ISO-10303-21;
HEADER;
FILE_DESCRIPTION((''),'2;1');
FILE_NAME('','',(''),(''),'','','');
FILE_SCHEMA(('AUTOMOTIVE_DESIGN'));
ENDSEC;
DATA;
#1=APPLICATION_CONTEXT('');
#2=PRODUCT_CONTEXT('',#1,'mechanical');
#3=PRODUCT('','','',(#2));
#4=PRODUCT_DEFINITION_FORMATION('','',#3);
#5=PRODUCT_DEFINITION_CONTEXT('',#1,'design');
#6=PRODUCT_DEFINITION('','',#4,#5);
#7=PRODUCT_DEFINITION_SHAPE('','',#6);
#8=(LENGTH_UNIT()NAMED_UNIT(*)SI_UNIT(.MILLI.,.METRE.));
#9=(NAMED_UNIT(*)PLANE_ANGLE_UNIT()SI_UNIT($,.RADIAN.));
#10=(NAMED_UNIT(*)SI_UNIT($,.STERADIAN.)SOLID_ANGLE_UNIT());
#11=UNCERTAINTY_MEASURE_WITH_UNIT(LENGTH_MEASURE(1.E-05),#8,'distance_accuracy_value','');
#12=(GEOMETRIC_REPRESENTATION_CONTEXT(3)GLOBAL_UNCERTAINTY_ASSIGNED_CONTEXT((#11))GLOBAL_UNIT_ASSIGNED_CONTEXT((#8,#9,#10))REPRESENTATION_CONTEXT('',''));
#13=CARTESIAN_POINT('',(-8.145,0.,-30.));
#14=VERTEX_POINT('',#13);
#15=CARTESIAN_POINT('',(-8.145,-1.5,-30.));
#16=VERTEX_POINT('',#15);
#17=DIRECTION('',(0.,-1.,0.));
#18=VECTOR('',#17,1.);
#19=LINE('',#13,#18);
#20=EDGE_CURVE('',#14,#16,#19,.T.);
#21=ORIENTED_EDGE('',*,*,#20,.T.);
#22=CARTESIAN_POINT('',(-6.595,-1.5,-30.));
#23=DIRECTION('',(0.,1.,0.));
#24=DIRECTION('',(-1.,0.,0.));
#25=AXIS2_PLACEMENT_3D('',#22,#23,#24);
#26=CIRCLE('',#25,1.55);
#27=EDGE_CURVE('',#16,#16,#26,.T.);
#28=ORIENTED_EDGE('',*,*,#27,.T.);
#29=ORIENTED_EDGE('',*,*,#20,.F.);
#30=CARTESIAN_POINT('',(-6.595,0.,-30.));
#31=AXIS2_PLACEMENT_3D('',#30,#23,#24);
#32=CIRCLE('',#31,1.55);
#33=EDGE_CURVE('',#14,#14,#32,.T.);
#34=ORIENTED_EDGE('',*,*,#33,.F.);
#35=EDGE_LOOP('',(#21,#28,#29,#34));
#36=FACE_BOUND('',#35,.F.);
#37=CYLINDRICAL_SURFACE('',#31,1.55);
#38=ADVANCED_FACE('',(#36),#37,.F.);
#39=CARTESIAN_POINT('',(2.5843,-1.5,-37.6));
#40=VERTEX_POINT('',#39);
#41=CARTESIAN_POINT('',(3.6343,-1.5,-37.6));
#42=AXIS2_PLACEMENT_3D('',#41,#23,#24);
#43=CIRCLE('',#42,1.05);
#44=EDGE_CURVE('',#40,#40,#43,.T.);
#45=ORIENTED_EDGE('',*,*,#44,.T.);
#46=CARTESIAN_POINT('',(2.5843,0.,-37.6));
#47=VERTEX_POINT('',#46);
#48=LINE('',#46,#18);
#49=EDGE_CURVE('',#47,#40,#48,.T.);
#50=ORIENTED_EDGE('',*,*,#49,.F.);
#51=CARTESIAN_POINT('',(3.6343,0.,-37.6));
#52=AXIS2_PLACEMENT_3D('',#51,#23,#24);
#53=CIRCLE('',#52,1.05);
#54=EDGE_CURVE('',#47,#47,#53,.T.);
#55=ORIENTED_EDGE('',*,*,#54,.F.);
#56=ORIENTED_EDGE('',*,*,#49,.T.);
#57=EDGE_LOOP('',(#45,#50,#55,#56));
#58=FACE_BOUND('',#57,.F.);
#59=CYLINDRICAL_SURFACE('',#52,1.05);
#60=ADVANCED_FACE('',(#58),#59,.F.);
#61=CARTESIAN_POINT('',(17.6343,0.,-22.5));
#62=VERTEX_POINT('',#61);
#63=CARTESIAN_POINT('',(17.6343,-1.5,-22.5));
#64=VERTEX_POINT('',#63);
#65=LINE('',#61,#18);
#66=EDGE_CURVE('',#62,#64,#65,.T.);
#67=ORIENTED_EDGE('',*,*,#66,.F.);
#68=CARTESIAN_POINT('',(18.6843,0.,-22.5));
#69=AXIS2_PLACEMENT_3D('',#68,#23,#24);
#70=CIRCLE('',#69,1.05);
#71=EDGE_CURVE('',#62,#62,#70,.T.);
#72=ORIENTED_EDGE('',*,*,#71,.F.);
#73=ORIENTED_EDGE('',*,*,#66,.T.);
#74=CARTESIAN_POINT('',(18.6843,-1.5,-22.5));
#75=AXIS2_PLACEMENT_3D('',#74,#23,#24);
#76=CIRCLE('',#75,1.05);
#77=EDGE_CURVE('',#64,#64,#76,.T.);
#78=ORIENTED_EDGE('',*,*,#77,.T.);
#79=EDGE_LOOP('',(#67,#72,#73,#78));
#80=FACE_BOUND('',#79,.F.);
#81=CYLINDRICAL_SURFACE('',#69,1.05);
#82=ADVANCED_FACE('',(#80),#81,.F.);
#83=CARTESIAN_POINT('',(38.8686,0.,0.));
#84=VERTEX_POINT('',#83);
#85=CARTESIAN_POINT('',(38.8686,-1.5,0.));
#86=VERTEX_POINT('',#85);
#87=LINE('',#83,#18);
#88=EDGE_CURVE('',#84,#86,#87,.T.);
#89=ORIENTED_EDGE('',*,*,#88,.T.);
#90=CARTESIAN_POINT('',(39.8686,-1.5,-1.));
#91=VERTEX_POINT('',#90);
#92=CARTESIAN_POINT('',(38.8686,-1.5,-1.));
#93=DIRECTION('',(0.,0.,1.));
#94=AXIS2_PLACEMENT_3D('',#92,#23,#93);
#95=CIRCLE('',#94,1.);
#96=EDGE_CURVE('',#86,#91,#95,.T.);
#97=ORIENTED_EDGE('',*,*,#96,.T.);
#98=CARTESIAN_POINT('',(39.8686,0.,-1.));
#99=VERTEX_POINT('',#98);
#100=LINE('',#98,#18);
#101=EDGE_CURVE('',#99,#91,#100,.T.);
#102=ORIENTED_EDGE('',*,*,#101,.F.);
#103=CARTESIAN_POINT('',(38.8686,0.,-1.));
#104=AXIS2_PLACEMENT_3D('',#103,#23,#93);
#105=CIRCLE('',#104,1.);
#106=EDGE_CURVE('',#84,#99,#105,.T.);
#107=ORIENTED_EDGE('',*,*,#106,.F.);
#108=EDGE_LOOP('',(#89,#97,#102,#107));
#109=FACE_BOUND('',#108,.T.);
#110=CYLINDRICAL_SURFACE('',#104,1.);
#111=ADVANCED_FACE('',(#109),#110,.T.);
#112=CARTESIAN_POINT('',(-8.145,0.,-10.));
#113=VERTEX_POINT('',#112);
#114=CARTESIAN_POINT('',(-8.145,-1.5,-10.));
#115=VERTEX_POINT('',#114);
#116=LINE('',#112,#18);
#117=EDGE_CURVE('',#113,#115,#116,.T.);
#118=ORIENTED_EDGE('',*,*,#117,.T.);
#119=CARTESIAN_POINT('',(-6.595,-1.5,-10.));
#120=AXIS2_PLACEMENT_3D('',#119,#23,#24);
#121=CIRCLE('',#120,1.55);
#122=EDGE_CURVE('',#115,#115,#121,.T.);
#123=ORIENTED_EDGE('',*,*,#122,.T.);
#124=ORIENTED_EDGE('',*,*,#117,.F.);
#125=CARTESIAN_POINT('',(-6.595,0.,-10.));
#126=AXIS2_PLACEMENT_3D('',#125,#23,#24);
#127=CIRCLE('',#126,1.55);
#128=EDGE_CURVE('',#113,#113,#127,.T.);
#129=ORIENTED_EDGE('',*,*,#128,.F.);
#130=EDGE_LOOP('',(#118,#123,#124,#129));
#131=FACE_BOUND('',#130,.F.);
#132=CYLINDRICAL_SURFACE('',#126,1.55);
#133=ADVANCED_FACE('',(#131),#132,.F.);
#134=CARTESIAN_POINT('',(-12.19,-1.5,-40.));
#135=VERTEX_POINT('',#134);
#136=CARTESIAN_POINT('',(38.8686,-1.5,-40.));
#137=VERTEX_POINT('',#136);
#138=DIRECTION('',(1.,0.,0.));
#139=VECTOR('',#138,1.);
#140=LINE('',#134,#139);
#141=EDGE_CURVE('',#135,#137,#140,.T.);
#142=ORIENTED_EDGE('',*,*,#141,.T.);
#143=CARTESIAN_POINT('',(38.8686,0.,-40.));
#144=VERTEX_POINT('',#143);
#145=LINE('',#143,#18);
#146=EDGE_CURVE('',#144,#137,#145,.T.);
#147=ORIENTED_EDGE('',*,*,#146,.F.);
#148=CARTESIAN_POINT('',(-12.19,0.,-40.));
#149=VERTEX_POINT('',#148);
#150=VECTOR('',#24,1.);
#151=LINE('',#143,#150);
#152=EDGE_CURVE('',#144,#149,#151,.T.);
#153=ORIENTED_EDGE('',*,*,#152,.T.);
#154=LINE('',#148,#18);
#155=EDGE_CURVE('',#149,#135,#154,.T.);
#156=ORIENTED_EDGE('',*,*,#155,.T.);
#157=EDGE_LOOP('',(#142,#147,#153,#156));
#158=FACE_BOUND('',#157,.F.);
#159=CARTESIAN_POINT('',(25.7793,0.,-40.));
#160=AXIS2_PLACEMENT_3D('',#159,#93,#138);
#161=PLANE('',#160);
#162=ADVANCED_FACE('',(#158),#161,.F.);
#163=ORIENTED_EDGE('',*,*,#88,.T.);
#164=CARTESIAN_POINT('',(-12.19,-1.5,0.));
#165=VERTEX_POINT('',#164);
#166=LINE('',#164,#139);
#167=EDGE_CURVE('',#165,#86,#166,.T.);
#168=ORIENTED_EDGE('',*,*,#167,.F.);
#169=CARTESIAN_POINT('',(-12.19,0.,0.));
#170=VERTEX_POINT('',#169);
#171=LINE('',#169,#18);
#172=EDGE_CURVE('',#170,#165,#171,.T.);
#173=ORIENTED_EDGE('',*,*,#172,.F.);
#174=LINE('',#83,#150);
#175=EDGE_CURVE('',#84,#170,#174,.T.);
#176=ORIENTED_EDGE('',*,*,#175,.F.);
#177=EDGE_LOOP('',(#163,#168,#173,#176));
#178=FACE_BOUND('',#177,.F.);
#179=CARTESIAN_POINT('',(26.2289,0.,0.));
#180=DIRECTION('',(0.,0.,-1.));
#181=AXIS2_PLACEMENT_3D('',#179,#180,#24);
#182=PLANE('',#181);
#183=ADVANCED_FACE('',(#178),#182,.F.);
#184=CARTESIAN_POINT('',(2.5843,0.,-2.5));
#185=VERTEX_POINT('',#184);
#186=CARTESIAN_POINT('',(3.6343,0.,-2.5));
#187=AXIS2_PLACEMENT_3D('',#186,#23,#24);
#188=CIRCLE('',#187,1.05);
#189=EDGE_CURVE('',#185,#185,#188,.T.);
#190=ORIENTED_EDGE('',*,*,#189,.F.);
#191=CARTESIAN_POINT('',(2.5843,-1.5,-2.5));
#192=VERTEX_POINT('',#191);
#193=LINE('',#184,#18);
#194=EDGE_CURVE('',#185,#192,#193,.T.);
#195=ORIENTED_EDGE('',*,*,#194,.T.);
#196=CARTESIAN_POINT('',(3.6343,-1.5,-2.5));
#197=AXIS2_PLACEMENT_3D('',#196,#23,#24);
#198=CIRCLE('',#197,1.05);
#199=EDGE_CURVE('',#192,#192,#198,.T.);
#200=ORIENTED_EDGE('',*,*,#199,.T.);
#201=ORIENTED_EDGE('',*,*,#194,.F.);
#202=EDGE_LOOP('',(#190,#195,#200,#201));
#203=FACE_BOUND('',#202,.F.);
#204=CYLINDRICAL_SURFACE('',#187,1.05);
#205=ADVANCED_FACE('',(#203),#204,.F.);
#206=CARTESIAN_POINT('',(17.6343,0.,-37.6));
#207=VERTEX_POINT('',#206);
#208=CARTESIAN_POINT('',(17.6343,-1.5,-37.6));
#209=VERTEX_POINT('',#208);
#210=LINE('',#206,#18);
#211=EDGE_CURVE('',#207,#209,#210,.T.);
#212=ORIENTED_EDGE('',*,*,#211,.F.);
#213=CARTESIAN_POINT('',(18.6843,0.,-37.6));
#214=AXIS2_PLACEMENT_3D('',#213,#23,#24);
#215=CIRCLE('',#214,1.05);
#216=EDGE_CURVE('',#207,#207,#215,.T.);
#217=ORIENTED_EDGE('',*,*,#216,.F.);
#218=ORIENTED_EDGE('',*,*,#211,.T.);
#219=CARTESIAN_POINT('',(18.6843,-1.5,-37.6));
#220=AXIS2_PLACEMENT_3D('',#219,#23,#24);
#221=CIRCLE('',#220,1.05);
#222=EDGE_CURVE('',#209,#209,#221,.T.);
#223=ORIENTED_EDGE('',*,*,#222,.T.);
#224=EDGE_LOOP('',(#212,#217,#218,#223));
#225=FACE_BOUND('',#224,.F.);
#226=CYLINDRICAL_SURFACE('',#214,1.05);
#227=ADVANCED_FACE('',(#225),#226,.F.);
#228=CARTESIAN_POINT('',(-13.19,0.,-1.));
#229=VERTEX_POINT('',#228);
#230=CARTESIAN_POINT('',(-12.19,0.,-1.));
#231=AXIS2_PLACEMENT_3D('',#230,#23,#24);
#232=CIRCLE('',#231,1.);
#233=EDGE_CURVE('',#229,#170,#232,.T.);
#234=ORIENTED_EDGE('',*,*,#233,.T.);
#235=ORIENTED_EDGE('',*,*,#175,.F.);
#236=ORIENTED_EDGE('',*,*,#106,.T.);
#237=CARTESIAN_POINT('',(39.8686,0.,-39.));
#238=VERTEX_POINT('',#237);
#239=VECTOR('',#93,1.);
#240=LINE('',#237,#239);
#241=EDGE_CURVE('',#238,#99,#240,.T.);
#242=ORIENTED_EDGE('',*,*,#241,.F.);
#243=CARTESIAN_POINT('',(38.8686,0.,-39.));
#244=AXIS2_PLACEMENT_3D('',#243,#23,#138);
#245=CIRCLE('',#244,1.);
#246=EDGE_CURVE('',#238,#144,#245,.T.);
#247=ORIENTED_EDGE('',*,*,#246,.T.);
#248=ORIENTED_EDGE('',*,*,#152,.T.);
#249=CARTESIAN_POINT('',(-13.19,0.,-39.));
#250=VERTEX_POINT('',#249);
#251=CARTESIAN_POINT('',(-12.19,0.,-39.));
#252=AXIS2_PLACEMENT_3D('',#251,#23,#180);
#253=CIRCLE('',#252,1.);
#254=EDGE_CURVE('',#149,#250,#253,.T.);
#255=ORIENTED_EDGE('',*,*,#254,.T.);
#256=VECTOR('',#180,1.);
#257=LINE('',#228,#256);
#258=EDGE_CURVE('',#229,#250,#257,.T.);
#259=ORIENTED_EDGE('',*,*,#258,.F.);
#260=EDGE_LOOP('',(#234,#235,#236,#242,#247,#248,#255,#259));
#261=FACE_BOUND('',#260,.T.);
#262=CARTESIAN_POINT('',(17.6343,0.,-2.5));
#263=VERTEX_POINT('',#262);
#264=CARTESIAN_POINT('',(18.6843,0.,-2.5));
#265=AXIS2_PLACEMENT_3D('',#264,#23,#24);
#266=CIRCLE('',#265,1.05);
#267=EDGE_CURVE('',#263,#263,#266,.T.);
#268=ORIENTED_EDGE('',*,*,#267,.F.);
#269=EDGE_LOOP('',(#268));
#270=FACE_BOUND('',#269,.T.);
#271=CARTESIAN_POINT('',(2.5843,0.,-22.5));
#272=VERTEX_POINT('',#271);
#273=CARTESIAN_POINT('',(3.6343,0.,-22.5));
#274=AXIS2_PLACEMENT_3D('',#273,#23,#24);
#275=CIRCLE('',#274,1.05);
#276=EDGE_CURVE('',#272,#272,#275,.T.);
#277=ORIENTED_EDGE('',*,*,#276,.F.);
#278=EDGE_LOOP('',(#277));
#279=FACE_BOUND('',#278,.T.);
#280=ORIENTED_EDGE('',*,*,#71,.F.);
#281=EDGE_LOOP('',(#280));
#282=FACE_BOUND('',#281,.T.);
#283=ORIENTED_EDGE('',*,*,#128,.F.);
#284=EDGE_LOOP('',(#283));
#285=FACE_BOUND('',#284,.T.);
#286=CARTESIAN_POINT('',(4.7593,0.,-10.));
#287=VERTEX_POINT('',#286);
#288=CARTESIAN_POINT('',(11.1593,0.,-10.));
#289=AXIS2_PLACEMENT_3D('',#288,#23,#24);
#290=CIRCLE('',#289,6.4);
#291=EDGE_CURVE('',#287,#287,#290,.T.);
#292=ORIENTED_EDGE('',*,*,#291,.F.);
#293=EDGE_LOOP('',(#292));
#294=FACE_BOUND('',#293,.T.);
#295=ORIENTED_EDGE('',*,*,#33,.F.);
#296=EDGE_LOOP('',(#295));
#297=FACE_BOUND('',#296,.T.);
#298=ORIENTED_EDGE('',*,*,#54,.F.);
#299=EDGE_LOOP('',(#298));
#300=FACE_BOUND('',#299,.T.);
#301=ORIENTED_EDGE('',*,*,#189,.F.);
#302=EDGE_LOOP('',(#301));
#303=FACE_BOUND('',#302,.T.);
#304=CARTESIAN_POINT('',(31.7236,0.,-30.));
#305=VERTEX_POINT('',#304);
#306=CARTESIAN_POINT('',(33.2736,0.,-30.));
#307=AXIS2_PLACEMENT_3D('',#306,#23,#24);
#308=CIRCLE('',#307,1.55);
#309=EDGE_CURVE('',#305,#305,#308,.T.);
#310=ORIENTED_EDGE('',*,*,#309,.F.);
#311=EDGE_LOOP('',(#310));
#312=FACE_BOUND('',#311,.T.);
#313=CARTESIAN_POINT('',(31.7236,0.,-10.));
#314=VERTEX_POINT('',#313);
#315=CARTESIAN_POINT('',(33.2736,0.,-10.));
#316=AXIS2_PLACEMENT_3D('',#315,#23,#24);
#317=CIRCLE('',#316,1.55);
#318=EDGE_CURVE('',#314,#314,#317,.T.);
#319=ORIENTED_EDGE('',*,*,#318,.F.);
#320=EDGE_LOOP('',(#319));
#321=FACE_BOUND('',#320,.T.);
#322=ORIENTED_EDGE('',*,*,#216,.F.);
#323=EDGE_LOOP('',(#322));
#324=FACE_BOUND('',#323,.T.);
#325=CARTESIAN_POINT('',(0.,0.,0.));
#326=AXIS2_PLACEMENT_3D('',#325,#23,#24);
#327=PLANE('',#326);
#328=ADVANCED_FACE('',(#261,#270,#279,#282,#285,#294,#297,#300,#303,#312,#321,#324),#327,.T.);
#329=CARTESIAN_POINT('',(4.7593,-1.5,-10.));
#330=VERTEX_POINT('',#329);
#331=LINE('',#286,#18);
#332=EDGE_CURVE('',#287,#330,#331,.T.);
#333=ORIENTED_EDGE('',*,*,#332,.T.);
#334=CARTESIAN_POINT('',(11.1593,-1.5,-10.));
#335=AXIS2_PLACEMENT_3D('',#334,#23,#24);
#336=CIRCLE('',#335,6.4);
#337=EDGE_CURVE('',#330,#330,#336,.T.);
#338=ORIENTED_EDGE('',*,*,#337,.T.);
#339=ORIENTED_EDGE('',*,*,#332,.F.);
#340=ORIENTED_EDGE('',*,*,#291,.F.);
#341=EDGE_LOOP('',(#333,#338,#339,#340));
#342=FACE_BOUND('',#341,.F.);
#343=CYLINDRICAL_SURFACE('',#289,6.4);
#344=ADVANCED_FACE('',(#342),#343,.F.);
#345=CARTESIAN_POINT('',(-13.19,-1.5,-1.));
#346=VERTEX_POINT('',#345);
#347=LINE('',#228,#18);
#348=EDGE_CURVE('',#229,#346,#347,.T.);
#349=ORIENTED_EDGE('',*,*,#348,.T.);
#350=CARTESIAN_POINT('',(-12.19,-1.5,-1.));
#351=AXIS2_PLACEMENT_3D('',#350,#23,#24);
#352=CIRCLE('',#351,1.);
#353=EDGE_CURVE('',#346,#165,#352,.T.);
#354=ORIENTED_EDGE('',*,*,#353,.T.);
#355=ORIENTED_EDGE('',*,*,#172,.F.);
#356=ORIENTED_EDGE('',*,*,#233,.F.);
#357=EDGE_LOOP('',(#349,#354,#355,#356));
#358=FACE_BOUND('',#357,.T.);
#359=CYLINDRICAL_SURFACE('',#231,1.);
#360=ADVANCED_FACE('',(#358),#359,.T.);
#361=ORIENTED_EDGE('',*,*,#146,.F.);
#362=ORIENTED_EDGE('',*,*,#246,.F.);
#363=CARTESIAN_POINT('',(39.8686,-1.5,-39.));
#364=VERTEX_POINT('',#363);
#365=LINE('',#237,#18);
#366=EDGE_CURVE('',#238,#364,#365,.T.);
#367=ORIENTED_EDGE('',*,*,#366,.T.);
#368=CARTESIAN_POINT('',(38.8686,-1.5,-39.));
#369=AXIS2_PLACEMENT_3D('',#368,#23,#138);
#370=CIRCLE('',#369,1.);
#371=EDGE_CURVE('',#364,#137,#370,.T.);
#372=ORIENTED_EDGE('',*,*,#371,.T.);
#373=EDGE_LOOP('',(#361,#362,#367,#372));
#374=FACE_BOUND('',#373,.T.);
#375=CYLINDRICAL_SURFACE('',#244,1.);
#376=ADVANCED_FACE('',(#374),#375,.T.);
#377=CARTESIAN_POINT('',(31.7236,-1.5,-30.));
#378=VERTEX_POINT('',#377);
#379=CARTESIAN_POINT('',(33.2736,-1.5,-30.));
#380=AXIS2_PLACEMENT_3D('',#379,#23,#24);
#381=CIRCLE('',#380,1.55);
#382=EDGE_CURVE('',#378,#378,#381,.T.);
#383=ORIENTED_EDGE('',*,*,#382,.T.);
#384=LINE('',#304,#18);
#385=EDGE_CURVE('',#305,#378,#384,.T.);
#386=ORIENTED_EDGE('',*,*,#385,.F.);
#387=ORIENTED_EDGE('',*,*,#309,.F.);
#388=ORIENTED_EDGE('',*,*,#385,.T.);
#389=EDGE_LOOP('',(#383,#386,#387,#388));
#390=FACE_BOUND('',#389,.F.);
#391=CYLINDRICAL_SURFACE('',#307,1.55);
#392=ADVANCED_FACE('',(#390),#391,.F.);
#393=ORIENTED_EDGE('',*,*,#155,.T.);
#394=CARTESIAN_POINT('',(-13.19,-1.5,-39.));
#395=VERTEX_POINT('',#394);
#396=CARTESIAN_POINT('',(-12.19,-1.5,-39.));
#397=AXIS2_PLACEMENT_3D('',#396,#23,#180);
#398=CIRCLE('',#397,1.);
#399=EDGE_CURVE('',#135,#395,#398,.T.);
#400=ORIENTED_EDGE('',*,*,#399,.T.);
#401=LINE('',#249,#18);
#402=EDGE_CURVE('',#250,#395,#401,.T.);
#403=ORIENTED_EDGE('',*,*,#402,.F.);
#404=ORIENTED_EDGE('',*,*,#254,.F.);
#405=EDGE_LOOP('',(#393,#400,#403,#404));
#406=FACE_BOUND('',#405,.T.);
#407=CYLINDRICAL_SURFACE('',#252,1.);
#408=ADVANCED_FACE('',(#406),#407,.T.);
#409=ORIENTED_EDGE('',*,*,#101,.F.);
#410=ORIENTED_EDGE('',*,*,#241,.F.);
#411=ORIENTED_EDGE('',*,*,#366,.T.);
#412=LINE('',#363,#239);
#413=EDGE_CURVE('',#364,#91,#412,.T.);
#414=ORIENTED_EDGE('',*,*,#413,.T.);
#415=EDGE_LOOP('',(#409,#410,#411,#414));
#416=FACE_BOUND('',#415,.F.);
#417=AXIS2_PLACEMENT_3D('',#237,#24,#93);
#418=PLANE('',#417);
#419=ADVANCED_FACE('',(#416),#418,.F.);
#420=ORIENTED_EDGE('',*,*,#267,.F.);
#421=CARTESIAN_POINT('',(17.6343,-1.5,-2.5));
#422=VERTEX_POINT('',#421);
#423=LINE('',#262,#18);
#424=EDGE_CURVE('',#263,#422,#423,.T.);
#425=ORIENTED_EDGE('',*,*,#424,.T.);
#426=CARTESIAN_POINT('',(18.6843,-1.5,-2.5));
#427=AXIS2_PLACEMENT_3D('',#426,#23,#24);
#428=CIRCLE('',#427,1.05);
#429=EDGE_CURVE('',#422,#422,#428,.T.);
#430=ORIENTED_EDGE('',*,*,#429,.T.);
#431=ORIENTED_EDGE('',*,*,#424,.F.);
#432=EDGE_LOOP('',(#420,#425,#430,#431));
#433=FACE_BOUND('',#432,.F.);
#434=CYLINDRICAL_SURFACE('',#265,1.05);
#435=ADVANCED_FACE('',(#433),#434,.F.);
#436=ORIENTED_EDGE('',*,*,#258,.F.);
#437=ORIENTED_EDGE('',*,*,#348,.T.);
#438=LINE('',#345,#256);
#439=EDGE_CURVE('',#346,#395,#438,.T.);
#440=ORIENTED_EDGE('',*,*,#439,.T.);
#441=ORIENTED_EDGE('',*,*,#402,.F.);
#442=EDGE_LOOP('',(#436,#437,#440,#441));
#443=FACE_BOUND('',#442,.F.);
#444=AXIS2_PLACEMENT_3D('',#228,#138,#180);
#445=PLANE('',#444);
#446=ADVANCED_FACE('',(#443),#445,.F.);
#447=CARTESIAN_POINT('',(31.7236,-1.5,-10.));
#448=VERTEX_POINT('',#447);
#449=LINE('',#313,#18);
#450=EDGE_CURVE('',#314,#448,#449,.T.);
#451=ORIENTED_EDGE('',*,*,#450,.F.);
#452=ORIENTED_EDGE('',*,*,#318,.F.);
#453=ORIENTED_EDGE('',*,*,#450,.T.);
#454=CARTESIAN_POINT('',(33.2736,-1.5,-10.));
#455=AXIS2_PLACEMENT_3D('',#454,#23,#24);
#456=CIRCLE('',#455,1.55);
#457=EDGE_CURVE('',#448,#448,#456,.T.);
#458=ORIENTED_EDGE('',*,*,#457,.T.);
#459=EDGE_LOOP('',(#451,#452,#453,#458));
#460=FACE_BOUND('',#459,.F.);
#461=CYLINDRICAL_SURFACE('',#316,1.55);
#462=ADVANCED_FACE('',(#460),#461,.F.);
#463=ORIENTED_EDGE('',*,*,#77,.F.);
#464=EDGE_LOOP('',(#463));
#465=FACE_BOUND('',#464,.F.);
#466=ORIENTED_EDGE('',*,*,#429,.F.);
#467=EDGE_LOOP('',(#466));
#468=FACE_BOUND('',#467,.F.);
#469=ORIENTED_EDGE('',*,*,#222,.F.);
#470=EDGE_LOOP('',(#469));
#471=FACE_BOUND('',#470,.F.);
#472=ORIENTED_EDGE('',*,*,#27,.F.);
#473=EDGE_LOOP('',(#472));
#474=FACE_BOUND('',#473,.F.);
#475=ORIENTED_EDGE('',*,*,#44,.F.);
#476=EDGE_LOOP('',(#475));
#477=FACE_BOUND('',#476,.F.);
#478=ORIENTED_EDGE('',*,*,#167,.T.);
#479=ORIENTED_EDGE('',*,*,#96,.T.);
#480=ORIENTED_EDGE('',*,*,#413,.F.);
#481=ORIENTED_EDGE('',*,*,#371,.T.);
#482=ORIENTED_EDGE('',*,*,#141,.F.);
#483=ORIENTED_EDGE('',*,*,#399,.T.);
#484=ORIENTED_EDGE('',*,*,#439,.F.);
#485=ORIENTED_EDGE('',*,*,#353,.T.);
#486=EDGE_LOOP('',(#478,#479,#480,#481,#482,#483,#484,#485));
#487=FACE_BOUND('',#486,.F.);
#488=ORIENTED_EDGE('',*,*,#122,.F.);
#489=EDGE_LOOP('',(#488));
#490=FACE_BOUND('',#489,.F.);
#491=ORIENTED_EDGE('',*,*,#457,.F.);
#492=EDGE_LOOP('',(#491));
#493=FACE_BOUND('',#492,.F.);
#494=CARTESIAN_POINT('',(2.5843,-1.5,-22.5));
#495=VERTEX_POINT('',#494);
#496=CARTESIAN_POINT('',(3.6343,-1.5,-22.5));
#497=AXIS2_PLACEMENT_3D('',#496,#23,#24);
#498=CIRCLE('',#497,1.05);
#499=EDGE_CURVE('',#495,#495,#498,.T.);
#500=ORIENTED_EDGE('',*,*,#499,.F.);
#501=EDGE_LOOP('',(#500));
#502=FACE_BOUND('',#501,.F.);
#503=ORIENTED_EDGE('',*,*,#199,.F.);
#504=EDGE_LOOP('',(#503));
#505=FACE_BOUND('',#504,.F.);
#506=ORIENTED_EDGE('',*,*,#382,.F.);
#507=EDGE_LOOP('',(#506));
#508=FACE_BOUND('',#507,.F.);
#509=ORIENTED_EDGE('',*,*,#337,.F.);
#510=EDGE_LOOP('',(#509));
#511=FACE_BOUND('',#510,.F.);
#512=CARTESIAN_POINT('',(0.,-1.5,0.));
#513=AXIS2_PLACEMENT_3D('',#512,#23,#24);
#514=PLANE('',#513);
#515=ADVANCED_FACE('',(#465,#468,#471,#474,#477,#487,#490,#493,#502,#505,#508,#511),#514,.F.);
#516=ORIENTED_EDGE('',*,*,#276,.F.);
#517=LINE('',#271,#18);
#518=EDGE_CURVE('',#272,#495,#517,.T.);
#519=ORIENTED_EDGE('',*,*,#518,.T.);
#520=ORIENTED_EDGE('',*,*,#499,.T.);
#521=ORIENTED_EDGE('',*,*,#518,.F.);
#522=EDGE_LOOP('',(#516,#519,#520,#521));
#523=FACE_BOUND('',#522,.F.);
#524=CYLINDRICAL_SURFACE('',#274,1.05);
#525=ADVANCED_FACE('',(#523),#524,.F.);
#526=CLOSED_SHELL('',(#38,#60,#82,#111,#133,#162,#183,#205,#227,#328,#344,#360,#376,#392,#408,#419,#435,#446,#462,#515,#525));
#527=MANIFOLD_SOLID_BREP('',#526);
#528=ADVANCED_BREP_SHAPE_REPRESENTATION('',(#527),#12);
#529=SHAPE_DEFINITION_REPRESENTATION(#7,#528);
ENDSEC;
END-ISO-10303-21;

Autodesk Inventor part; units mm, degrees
ref_plane "YZ Plane" through (0, 0, 0) normal (1, 0, 0) x (0, 1, 0)
ref_plane "XZ Plane" through (0, 0, 0) normal (0, 1, 0) x (-1, 0, 0)
ref_plane "XY Plane" through (0, 0, 0) normal (0, 0, 1) x (1, 0, 0)
sketch "Sketch1" plane through (0, 0, 0) normal (0, 1, 0) x (-1, 0, 0)
  line L0 (-26.2289, 0) -> (-26.2289, -40)
  line L1 (-0.4496, -40) -> (-0.4496, 0)
  circle A0 centre (6.595, -30) radius 1.55
  circle A1 centre (-33.2736, -30) radius 1.55
  circle A2 centre (6.595, -10) radius 1.55
  circle A3 centre (-33.2736, -10) radius 1.55
  circle A4 centre (-11.1593, -10) radius 6.4
  circle A5 centre (-3.6343, -2.5) radius 1.05
  circle A6 centre (-18.6843, -2.5) radius 1.05
  circle A7 centre (-18.6843, -22.5) radius 1.05
  circle A8 centre (-3.6343, -22.5) radius 1.05
  circle A9 centre (-3.6343, -37.6) radius 1.05
  circle A10 centre (-18.6843, -37.6) radius 1.05
  arc A11 (-38.8686, 0) -> (-39.8686, -1) centre (-38.8686, -1) ccw
  line L2 (-39.8686, -39) -> (-39.8686, -1)
  arc A12 (-39.8686, -39) -> (-38.8686, -40) centre (-38.8686, -39) ccw
  arc A13 (13.19, -1) -> (12.19, 0) centre (12.19, -1) ccw
  line L3 (-38.8686, 0) -> (12.19, 0)
  arc A14 (12.19, -40) -> (13.19, -39) centre (12.19, -39) ccw
  line L4 (12.19, -40) -> (-38.8686, -40)
  line L5 (13.19, -1) -> (13.19, -39)
  line L6 (-26.6786, -40) -> (-26.6786, 0)
  line L7 (-25.7793, 0) -> (-25.7793, -40)
  line L8 (-0.8993, -40) -> (-0.8993, 0)
  line L9 (0, 0) -> (0, -40)
  point P0 (0, 0)
extrude "Extrusion1" add sketch "Sketch1" against normal blind 1.5
properties part number "body_motor_L_frame"
